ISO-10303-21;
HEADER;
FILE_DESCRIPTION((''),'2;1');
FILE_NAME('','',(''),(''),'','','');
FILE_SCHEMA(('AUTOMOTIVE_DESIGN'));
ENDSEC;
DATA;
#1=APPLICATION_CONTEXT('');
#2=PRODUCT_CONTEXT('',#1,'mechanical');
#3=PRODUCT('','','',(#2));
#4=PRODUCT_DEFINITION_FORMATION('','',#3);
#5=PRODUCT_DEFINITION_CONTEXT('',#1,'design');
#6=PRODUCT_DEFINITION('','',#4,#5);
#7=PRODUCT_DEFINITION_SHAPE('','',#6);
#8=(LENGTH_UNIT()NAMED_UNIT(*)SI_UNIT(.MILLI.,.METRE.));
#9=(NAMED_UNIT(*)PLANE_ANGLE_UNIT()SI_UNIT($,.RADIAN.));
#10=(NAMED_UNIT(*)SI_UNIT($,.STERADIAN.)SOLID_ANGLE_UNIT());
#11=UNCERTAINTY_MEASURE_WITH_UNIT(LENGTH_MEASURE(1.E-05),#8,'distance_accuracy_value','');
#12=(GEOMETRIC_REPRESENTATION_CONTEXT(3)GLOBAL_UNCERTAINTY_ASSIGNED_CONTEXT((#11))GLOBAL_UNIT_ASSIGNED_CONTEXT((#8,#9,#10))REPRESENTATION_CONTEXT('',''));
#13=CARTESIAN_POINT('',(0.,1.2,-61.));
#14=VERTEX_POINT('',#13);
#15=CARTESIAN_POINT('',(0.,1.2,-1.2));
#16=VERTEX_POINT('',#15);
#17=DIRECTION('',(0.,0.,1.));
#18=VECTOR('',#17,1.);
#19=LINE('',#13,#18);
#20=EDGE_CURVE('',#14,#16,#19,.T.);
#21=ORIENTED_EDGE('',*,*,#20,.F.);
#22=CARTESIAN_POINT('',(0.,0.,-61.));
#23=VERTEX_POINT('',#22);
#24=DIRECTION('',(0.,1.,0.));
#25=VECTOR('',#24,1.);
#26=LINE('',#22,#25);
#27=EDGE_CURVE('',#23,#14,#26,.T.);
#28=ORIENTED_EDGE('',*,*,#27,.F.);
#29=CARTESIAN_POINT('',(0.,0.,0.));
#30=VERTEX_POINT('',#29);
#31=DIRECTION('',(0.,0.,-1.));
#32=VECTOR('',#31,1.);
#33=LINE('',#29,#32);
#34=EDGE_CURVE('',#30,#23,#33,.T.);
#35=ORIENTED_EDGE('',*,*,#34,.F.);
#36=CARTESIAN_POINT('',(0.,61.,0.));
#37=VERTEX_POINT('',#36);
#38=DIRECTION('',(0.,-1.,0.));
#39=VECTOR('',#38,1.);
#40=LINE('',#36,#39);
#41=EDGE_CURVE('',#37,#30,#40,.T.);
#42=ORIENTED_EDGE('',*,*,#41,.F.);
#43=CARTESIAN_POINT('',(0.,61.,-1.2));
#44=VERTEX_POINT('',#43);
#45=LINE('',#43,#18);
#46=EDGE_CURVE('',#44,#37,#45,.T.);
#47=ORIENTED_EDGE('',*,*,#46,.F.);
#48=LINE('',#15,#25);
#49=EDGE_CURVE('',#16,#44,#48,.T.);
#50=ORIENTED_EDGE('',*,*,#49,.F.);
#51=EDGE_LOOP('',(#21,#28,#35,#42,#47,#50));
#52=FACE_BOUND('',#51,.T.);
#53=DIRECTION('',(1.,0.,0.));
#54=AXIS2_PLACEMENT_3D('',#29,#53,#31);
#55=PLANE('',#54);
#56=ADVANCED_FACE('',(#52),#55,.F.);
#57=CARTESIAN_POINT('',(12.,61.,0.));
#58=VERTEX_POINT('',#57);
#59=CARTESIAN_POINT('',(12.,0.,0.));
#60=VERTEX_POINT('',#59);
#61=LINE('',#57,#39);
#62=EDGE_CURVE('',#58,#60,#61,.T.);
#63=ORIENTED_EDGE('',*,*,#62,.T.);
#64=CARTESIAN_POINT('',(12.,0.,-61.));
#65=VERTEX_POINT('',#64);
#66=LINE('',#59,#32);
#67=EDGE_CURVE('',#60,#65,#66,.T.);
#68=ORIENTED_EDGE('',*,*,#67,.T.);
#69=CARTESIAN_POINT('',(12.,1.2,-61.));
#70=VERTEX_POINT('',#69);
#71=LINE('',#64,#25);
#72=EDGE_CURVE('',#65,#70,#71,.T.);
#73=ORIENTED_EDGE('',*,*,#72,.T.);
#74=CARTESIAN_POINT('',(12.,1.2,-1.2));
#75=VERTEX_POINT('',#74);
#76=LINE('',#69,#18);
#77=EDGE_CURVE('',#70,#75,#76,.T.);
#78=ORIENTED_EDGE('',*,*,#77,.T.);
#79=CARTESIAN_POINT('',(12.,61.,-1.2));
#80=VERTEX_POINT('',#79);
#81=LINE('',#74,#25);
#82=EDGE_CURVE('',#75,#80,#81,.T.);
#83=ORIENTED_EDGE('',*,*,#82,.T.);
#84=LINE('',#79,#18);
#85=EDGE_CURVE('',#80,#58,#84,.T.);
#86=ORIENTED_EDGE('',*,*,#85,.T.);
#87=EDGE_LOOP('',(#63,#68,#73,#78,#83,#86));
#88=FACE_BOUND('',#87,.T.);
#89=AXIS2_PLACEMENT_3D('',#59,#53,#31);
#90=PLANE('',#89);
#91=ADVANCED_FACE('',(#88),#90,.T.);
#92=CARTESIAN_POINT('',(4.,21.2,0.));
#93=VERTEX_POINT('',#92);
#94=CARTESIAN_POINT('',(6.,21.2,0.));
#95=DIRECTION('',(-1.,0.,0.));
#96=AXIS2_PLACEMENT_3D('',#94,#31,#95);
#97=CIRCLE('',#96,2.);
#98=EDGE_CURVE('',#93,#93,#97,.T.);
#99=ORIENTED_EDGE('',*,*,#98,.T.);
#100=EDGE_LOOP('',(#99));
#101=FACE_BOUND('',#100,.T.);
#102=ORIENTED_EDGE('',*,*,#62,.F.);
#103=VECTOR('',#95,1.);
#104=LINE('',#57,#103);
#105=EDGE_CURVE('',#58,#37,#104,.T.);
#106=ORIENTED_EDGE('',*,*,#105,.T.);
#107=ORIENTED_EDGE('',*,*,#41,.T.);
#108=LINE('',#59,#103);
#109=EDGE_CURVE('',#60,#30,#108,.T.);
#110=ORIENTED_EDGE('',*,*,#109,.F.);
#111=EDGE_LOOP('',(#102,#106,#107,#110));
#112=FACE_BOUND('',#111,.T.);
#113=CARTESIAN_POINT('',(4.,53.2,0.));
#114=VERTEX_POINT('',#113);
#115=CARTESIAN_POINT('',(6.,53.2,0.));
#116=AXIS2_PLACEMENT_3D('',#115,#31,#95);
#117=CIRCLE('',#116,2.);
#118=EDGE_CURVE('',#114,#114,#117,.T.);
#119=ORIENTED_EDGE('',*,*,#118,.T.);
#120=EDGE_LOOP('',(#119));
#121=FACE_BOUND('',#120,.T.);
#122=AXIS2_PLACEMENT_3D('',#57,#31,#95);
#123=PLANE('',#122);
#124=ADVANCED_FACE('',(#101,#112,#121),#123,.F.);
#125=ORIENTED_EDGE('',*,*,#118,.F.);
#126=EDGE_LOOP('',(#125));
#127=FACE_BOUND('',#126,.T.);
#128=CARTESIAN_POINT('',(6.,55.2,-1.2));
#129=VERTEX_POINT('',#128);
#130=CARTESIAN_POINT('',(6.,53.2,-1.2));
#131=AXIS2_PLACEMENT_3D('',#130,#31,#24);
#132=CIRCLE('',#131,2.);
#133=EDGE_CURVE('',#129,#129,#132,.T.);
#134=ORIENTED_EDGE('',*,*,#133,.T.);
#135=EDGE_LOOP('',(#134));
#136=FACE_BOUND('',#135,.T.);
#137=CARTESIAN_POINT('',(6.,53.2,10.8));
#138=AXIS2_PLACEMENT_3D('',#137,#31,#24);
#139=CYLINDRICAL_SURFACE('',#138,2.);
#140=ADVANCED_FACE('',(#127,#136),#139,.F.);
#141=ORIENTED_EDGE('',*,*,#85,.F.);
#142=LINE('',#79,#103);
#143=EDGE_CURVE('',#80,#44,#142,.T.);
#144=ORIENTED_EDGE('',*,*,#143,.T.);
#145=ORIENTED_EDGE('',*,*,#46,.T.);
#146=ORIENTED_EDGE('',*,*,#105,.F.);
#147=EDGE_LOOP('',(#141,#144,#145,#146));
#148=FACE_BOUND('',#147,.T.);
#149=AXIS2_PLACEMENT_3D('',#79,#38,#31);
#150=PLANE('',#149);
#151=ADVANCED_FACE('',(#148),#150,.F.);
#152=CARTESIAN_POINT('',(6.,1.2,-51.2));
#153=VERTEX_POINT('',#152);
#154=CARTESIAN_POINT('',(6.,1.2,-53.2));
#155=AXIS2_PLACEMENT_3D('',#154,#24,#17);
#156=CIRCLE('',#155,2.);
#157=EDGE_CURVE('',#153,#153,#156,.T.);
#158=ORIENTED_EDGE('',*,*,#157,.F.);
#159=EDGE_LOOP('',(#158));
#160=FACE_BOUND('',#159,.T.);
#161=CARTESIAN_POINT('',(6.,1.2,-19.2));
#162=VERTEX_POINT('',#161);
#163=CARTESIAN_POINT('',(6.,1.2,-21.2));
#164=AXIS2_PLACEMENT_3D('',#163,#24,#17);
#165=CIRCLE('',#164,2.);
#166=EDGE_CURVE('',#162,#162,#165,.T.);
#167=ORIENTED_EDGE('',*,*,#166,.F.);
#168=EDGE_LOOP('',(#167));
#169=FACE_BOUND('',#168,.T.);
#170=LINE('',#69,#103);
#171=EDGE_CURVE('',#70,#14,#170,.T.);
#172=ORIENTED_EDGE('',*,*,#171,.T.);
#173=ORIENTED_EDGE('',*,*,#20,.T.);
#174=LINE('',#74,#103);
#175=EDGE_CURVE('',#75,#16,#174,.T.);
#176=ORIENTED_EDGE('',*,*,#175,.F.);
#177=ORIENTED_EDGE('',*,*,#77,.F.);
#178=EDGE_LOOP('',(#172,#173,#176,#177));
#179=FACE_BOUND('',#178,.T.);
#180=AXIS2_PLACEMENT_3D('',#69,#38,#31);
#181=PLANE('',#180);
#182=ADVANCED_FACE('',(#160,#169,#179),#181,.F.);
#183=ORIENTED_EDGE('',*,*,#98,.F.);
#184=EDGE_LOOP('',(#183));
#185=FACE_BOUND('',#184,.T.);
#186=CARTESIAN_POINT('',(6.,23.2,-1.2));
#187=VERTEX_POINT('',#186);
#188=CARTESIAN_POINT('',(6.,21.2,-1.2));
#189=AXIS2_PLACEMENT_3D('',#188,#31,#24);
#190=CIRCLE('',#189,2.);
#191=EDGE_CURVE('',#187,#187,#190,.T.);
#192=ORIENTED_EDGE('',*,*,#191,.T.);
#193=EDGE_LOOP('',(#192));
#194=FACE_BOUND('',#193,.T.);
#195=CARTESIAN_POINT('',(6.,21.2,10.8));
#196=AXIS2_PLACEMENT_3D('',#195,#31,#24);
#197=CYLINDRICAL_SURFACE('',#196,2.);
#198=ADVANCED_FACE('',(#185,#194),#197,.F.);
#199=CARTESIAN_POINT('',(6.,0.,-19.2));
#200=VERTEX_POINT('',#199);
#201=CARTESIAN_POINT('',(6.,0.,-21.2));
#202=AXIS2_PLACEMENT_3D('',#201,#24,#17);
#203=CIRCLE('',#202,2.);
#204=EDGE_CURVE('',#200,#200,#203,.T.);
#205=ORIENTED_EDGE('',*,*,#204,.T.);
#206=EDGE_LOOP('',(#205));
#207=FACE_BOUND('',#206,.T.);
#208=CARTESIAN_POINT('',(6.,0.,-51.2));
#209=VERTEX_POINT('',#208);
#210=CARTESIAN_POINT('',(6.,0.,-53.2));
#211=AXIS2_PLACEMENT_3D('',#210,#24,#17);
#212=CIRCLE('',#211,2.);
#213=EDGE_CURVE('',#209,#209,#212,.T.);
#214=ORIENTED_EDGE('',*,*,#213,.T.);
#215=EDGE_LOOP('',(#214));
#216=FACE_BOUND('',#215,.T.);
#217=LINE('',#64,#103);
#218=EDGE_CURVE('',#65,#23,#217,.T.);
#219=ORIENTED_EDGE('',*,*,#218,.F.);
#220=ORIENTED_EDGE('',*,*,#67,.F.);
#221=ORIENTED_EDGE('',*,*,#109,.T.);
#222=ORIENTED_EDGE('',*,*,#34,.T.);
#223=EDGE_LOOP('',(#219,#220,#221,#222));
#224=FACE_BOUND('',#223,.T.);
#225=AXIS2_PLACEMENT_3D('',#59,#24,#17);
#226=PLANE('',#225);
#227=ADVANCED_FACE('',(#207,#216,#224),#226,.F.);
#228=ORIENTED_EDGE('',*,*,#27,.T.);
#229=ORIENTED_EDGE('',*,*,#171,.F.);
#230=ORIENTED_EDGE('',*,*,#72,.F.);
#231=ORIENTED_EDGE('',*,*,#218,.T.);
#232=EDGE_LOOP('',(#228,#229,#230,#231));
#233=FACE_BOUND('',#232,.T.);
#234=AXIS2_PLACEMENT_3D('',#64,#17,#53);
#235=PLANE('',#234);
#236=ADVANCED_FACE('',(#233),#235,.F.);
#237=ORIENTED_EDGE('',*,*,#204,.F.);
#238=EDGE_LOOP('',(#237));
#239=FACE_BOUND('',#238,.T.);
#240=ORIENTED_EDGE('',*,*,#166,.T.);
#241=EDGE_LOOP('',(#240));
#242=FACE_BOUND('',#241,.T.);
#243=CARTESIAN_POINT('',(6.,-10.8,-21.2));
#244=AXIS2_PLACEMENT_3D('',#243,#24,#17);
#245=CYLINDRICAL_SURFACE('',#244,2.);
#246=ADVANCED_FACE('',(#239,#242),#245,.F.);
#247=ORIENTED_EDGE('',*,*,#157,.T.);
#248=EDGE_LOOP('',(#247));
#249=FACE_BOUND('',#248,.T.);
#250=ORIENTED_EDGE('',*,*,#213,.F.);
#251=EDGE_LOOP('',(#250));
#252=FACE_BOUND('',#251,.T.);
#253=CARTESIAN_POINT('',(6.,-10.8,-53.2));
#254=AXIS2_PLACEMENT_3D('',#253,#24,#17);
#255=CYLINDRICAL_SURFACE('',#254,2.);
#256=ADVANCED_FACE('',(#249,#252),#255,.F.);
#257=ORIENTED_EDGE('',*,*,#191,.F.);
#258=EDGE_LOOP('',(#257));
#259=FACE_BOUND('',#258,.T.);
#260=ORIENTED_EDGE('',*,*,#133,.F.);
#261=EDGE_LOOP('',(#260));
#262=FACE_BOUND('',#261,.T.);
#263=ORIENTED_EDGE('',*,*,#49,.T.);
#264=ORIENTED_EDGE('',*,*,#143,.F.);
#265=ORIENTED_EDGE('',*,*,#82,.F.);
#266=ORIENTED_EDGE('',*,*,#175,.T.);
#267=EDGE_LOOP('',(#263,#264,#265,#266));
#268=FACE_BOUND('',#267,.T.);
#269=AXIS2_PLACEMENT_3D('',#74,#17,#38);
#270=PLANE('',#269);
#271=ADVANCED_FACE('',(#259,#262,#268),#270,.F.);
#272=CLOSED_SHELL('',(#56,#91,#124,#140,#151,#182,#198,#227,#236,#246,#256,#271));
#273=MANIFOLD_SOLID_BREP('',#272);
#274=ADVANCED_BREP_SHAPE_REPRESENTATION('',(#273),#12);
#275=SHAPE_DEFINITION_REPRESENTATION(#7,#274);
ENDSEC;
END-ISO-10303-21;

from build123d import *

# Parameters (mm, degrees)
EXTRUDE_1_DEPTH     = 12
SKETCH_2_R          = 2
CUT_EXTRUDE_1_DEPTH = 12
SKETCH_3_R          = 2
CUT_EXTRUDE_2_DEPTH = 12


with BuildPart() as part:
    # 草图1 → 凸台-拉伸1 (new body)
    with BuildSketch(Plane(origin=(0, 0, 0), x_dir=(0, 0, -1), z_dir=(1, 0, 0))):
        Polygon((0, 0), (61, 0), (61, 1.2), (1.2, 1.2), (1.2, 61), (0, 61), align=None)
    extrude(amount=EXTRUDE_1_DEPTH)

    # 草图2 → 切除-拉伸1 (cut)
    with BuildSketch(Plane(origin=(0, 1.2, 0), x_dir=(1, 0, 0), z_dir=(0, 1, 0))):
        with Locations(Location((6, 21.2, 0), (0, 0, 270))):
            Circle(SKETCH_2_R)
        with Locations(Location((6, 53.2, 0), (0, 0, 270))):
            Circle(SKETCH_2_R)
    extrude(amount=-CUT_EXTRUDE_1_DEPTH, mode=Mode.SUBTRACT)

    # 草图3 → 切除-拉伸2 (cut)
    with BuildSketch(Plane(origin=(0, 0, -1.2), x_dir=(-1, 0, 0), z_dir=(0, 0, -1))):
        with Locations(Location((-6, 21.2, 0), (0, 0, 90))):
            Circle(SKETCH_3_R)
        with Locations(Location((-6, 53.2, 0), (0, 0, 90))):
            Circle(SKETCH_3_R)
    extrude(amount=-CUT_EXTRUDE_2_DEPTH, mode=Mode.SUBTRACT)


solid = part.part
